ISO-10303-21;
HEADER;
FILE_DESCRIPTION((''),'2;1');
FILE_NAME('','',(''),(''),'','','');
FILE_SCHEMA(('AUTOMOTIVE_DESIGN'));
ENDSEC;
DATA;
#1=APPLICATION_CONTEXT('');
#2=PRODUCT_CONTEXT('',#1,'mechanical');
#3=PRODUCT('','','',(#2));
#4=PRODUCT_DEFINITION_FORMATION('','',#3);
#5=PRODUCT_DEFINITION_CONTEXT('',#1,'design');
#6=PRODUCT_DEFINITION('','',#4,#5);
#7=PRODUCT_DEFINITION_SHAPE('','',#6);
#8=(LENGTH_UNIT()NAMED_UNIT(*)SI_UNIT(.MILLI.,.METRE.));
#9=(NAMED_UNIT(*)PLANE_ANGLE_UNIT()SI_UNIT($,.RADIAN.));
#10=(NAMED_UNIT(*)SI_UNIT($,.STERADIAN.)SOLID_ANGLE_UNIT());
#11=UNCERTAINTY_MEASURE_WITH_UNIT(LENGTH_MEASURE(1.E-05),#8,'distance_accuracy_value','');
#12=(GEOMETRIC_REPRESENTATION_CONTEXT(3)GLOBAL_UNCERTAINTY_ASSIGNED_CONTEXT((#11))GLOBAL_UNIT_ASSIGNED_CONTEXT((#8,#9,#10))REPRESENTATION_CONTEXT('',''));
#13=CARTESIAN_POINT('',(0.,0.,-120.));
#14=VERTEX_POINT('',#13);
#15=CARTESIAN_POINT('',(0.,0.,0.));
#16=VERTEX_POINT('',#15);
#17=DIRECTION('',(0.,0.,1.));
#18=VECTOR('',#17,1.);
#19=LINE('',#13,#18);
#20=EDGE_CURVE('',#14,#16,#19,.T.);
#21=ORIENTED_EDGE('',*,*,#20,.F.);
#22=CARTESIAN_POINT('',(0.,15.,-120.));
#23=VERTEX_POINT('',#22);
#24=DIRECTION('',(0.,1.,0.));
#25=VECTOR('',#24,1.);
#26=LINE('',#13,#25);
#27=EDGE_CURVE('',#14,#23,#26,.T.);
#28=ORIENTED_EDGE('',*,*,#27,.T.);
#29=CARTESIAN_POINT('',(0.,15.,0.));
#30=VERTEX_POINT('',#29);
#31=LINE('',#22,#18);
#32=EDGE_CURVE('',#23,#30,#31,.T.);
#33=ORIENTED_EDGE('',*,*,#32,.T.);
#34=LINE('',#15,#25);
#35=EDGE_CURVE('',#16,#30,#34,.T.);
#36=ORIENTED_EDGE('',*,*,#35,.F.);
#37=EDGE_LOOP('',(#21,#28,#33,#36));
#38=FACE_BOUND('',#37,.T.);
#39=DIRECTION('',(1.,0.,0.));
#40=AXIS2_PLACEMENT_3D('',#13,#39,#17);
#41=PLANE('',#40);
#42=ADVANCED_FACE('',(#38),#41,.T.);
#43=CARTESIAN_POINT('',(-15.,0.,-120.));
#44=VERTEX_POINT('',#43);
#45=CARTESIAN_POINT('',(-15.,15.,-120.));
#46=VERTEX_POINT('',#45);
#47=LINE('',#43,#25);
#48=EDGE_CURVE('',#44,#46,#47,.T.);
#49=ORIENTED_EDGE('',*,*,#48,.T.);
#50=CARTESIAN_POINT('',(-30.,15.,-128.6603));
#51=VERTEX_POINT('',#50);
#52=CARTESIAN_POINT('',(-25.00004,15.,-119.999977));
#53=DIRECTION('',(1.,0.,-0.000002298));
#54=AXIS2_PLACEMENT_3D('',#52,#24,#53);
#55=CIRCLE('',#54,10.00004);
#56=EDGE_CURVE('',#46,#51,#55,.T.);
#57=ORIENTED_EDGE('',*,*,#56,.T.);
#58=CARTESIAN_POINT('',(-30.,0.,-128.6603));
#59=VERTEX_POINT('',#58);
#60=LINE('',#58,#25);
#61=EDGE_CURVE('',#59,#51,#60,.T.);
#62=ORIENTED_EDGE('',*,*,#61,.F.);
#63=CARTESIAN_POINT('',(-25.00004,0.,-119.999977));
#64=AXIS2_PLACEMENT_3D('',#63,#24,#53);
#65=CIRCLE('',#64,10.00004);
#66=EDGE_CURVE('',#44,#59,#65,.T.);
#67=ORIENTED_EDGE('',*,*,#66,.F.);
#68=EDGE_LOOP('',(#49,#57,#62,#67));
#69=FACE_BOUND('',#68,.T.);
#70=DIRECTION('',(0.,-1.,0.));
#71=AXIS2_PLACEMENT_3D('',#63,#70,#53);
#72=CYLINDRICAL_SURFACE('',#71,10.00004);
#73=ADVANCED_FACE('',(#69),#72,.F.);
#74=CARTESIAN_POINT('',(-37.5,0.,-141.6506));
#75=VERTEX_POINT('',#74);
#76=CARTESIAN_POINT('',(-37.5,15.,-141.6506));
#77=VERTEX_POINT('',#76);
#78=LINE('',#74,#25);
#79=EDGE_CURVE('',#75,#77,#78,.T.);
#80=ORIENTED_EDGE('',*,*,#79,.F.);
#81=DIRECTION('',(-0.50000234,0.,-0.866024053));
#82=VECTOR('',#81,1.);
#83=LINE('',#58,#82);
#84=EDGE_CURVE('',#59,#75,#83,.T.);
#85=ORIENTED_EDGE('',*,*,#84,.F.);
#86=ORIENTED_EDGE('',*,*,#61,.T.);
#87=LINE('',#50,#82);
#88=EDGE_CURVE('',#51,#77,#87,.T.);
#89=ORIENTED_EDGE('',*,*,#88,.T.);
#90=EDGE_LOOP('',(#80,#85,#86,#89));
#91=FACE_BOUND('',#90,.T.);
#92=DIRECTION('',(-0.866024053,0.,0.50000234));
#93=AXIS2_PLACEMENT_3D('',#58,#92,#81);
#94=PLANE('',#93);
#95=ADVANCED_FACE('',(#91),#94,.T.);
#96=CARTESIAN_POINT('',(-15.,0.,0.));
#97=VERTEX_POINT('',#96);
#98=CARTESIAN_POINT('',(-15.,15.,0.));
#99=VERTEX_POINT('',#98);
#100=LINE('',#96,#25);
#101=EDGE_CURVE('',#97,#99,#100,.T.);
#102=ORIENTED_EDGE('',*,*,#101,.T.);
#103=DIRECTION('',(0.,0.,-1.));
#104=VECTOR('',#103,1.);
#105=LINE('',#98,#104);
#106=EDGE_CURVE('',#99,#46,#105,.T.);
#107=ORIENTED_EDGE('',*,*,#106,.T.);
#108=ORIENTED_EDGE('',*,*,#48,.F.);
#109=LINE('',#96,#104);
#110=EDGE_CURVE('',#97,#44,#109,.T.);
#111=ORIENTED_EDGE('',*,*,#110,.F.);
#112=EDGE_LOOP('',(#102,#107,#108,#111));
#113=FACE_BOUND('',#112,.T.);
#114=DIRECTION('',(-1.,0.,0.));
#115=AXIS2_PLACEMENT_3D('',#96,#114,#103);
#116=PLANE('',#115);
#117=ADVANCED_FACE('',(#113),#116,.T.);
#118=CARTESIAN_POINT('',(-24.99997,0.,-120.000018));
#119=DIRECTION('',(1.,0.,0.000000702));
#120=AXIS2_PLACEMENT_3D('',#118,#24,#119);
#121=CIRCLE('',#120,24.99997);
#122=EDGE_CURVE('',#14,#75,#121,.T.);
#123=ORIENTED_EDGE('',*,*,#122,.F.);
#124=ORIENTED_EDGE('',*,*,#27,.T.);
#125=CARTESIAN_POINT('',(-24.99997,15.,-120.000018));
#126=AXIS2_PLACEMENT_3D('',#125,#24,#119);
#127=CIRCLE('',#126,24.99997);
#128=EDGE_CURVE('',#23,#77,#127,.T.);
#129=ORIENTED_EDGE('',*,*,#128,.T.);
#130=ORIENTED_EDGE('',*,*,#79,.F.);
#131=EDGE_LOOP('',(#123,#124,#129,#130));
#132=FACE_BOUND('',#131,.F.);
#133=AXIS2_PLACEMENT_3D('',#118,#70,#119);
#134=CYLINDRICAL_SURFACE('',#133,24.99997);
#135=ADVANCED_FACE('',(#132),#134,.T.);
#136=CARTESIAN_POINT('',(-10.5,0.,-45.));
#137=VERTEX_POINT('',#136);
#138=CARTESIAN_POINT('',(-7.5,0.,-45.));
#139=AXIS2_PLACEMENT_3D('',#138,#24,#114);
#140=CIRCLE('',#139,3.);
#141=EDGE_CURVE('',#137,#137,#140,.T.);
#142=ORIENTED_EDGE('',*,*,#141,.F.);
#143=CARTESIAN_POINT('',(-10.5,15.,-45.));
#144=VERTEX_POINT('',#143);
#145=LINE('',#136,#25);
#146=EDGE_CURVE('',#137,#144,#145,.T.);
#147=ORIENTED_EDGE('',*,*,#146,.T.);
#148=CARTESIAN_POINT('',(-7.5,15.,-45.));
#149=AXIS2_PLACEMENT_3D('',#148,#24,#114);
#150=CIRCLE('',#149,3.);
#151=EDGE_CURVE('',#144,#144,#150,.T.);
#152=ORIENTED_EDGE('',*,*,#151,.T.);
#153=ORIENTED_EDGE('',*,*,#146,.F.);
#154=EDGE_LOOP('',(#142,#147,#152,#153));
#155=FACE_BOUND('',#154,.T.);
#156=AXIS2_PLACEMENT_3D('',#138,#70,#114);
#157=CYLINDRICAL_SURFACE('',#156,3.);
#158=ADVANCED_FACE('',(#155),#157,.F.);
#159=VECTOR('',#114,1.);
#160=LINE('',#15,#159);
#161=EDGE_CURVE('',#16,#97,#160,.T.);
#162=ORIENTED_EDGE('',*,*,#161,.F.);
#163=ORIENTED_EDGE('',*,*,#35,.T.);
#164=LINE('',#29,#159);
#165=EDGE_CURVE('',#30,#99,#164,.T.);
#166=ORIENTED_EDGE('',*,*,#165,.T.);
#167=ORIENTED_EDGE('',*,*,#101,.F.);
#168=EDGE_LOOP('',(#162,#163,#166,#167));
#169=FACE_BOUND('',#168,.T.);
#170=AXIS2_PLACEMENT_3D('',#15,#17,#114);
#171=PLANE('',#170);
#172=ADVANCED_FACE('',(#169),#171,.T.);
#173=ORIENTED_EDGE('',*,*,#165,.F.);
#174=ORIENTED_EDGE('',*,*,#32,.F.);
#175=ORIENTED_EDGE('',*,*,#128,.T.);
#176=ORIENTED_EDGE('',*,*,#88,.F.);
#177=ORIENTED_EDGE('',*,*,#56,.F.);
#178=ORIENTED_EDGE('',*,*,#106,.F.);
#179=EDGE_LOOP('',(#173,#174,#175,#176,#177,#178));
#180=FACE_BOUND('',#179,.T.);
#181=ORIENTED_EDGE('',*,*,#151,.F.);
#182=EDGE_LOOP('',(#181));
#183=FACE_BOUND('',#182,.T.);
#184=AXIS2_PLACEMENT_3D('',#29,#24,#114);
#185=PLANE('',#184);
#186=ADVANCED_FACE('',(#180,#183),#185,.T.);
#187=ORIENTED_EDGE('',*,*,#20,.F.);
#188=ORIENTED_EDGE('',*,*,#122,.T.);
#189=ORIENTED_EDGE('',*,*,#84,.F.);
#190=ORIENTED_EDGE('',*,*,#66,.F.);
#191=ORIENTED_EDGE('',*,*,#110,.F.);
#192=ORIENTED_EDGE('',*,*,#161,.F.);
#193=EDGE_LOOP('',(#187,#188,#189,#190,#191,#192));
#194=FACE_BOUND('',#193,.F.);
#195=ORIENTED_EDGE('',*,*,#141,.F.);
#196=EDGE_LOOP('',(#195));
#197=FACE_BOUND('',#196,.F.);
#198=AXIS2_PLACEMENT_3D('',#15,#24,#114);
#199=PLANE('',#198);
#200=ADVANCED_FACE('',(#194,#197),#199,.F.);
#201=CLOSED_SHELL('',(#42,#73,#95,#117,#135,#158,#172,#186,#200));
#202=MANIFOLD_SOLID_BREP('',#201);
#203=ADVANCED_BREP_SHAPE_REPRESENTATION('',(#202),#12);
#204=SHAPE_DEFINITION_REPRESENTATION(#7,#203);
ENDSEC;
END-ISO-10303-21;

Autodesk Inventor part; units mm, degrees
ref_plane "YZ Plane" through (0, 0, 0) normal (1, 0, 0) x (0, 1, 0)
ref_plane "XZ Plane" through (0, 0, 0) normal (0, 1, 0) x (-1, 0, 0)
ref_plane "XY Plane" through (0, 0, 0) normal (0, 0, 1) x (1, 0, 0)
sketch "Sketch1" plane through (0, 0, 0) normal (0, 1, 0) x (-1, 0, 0)
  line L0 (0, 0) -> (15, 0)
  line L1 (15, 0) -> (15, -120)
  line L2 (0, -120) -> (0, 0)
  arc A0 (0, -120) -> (37.5, -141.6506) centre (25, -120) ccw
  arc A1 (15, -120) -> (30, -128.6603) centre (25, -120) ccw
  line L3 (30, -128.6603) -> (37.5, -141.6506)
  line L4 (25, -120) -> (75, -120) construction
  circle A2 centre (7.5, -45) radius 3
  dimension "d1" = 120
  dimension "d9" = 20
  dimension "d11" = 60
  dimension "d12" = 15
  dimension "d13" = 6
  dimension "d14" = 45
  dimension "d15" = 7.5
extrude "Extrusion1" add sketch "Sketch1" along normal blind 15
properties part number "atividade_14A_garra"
